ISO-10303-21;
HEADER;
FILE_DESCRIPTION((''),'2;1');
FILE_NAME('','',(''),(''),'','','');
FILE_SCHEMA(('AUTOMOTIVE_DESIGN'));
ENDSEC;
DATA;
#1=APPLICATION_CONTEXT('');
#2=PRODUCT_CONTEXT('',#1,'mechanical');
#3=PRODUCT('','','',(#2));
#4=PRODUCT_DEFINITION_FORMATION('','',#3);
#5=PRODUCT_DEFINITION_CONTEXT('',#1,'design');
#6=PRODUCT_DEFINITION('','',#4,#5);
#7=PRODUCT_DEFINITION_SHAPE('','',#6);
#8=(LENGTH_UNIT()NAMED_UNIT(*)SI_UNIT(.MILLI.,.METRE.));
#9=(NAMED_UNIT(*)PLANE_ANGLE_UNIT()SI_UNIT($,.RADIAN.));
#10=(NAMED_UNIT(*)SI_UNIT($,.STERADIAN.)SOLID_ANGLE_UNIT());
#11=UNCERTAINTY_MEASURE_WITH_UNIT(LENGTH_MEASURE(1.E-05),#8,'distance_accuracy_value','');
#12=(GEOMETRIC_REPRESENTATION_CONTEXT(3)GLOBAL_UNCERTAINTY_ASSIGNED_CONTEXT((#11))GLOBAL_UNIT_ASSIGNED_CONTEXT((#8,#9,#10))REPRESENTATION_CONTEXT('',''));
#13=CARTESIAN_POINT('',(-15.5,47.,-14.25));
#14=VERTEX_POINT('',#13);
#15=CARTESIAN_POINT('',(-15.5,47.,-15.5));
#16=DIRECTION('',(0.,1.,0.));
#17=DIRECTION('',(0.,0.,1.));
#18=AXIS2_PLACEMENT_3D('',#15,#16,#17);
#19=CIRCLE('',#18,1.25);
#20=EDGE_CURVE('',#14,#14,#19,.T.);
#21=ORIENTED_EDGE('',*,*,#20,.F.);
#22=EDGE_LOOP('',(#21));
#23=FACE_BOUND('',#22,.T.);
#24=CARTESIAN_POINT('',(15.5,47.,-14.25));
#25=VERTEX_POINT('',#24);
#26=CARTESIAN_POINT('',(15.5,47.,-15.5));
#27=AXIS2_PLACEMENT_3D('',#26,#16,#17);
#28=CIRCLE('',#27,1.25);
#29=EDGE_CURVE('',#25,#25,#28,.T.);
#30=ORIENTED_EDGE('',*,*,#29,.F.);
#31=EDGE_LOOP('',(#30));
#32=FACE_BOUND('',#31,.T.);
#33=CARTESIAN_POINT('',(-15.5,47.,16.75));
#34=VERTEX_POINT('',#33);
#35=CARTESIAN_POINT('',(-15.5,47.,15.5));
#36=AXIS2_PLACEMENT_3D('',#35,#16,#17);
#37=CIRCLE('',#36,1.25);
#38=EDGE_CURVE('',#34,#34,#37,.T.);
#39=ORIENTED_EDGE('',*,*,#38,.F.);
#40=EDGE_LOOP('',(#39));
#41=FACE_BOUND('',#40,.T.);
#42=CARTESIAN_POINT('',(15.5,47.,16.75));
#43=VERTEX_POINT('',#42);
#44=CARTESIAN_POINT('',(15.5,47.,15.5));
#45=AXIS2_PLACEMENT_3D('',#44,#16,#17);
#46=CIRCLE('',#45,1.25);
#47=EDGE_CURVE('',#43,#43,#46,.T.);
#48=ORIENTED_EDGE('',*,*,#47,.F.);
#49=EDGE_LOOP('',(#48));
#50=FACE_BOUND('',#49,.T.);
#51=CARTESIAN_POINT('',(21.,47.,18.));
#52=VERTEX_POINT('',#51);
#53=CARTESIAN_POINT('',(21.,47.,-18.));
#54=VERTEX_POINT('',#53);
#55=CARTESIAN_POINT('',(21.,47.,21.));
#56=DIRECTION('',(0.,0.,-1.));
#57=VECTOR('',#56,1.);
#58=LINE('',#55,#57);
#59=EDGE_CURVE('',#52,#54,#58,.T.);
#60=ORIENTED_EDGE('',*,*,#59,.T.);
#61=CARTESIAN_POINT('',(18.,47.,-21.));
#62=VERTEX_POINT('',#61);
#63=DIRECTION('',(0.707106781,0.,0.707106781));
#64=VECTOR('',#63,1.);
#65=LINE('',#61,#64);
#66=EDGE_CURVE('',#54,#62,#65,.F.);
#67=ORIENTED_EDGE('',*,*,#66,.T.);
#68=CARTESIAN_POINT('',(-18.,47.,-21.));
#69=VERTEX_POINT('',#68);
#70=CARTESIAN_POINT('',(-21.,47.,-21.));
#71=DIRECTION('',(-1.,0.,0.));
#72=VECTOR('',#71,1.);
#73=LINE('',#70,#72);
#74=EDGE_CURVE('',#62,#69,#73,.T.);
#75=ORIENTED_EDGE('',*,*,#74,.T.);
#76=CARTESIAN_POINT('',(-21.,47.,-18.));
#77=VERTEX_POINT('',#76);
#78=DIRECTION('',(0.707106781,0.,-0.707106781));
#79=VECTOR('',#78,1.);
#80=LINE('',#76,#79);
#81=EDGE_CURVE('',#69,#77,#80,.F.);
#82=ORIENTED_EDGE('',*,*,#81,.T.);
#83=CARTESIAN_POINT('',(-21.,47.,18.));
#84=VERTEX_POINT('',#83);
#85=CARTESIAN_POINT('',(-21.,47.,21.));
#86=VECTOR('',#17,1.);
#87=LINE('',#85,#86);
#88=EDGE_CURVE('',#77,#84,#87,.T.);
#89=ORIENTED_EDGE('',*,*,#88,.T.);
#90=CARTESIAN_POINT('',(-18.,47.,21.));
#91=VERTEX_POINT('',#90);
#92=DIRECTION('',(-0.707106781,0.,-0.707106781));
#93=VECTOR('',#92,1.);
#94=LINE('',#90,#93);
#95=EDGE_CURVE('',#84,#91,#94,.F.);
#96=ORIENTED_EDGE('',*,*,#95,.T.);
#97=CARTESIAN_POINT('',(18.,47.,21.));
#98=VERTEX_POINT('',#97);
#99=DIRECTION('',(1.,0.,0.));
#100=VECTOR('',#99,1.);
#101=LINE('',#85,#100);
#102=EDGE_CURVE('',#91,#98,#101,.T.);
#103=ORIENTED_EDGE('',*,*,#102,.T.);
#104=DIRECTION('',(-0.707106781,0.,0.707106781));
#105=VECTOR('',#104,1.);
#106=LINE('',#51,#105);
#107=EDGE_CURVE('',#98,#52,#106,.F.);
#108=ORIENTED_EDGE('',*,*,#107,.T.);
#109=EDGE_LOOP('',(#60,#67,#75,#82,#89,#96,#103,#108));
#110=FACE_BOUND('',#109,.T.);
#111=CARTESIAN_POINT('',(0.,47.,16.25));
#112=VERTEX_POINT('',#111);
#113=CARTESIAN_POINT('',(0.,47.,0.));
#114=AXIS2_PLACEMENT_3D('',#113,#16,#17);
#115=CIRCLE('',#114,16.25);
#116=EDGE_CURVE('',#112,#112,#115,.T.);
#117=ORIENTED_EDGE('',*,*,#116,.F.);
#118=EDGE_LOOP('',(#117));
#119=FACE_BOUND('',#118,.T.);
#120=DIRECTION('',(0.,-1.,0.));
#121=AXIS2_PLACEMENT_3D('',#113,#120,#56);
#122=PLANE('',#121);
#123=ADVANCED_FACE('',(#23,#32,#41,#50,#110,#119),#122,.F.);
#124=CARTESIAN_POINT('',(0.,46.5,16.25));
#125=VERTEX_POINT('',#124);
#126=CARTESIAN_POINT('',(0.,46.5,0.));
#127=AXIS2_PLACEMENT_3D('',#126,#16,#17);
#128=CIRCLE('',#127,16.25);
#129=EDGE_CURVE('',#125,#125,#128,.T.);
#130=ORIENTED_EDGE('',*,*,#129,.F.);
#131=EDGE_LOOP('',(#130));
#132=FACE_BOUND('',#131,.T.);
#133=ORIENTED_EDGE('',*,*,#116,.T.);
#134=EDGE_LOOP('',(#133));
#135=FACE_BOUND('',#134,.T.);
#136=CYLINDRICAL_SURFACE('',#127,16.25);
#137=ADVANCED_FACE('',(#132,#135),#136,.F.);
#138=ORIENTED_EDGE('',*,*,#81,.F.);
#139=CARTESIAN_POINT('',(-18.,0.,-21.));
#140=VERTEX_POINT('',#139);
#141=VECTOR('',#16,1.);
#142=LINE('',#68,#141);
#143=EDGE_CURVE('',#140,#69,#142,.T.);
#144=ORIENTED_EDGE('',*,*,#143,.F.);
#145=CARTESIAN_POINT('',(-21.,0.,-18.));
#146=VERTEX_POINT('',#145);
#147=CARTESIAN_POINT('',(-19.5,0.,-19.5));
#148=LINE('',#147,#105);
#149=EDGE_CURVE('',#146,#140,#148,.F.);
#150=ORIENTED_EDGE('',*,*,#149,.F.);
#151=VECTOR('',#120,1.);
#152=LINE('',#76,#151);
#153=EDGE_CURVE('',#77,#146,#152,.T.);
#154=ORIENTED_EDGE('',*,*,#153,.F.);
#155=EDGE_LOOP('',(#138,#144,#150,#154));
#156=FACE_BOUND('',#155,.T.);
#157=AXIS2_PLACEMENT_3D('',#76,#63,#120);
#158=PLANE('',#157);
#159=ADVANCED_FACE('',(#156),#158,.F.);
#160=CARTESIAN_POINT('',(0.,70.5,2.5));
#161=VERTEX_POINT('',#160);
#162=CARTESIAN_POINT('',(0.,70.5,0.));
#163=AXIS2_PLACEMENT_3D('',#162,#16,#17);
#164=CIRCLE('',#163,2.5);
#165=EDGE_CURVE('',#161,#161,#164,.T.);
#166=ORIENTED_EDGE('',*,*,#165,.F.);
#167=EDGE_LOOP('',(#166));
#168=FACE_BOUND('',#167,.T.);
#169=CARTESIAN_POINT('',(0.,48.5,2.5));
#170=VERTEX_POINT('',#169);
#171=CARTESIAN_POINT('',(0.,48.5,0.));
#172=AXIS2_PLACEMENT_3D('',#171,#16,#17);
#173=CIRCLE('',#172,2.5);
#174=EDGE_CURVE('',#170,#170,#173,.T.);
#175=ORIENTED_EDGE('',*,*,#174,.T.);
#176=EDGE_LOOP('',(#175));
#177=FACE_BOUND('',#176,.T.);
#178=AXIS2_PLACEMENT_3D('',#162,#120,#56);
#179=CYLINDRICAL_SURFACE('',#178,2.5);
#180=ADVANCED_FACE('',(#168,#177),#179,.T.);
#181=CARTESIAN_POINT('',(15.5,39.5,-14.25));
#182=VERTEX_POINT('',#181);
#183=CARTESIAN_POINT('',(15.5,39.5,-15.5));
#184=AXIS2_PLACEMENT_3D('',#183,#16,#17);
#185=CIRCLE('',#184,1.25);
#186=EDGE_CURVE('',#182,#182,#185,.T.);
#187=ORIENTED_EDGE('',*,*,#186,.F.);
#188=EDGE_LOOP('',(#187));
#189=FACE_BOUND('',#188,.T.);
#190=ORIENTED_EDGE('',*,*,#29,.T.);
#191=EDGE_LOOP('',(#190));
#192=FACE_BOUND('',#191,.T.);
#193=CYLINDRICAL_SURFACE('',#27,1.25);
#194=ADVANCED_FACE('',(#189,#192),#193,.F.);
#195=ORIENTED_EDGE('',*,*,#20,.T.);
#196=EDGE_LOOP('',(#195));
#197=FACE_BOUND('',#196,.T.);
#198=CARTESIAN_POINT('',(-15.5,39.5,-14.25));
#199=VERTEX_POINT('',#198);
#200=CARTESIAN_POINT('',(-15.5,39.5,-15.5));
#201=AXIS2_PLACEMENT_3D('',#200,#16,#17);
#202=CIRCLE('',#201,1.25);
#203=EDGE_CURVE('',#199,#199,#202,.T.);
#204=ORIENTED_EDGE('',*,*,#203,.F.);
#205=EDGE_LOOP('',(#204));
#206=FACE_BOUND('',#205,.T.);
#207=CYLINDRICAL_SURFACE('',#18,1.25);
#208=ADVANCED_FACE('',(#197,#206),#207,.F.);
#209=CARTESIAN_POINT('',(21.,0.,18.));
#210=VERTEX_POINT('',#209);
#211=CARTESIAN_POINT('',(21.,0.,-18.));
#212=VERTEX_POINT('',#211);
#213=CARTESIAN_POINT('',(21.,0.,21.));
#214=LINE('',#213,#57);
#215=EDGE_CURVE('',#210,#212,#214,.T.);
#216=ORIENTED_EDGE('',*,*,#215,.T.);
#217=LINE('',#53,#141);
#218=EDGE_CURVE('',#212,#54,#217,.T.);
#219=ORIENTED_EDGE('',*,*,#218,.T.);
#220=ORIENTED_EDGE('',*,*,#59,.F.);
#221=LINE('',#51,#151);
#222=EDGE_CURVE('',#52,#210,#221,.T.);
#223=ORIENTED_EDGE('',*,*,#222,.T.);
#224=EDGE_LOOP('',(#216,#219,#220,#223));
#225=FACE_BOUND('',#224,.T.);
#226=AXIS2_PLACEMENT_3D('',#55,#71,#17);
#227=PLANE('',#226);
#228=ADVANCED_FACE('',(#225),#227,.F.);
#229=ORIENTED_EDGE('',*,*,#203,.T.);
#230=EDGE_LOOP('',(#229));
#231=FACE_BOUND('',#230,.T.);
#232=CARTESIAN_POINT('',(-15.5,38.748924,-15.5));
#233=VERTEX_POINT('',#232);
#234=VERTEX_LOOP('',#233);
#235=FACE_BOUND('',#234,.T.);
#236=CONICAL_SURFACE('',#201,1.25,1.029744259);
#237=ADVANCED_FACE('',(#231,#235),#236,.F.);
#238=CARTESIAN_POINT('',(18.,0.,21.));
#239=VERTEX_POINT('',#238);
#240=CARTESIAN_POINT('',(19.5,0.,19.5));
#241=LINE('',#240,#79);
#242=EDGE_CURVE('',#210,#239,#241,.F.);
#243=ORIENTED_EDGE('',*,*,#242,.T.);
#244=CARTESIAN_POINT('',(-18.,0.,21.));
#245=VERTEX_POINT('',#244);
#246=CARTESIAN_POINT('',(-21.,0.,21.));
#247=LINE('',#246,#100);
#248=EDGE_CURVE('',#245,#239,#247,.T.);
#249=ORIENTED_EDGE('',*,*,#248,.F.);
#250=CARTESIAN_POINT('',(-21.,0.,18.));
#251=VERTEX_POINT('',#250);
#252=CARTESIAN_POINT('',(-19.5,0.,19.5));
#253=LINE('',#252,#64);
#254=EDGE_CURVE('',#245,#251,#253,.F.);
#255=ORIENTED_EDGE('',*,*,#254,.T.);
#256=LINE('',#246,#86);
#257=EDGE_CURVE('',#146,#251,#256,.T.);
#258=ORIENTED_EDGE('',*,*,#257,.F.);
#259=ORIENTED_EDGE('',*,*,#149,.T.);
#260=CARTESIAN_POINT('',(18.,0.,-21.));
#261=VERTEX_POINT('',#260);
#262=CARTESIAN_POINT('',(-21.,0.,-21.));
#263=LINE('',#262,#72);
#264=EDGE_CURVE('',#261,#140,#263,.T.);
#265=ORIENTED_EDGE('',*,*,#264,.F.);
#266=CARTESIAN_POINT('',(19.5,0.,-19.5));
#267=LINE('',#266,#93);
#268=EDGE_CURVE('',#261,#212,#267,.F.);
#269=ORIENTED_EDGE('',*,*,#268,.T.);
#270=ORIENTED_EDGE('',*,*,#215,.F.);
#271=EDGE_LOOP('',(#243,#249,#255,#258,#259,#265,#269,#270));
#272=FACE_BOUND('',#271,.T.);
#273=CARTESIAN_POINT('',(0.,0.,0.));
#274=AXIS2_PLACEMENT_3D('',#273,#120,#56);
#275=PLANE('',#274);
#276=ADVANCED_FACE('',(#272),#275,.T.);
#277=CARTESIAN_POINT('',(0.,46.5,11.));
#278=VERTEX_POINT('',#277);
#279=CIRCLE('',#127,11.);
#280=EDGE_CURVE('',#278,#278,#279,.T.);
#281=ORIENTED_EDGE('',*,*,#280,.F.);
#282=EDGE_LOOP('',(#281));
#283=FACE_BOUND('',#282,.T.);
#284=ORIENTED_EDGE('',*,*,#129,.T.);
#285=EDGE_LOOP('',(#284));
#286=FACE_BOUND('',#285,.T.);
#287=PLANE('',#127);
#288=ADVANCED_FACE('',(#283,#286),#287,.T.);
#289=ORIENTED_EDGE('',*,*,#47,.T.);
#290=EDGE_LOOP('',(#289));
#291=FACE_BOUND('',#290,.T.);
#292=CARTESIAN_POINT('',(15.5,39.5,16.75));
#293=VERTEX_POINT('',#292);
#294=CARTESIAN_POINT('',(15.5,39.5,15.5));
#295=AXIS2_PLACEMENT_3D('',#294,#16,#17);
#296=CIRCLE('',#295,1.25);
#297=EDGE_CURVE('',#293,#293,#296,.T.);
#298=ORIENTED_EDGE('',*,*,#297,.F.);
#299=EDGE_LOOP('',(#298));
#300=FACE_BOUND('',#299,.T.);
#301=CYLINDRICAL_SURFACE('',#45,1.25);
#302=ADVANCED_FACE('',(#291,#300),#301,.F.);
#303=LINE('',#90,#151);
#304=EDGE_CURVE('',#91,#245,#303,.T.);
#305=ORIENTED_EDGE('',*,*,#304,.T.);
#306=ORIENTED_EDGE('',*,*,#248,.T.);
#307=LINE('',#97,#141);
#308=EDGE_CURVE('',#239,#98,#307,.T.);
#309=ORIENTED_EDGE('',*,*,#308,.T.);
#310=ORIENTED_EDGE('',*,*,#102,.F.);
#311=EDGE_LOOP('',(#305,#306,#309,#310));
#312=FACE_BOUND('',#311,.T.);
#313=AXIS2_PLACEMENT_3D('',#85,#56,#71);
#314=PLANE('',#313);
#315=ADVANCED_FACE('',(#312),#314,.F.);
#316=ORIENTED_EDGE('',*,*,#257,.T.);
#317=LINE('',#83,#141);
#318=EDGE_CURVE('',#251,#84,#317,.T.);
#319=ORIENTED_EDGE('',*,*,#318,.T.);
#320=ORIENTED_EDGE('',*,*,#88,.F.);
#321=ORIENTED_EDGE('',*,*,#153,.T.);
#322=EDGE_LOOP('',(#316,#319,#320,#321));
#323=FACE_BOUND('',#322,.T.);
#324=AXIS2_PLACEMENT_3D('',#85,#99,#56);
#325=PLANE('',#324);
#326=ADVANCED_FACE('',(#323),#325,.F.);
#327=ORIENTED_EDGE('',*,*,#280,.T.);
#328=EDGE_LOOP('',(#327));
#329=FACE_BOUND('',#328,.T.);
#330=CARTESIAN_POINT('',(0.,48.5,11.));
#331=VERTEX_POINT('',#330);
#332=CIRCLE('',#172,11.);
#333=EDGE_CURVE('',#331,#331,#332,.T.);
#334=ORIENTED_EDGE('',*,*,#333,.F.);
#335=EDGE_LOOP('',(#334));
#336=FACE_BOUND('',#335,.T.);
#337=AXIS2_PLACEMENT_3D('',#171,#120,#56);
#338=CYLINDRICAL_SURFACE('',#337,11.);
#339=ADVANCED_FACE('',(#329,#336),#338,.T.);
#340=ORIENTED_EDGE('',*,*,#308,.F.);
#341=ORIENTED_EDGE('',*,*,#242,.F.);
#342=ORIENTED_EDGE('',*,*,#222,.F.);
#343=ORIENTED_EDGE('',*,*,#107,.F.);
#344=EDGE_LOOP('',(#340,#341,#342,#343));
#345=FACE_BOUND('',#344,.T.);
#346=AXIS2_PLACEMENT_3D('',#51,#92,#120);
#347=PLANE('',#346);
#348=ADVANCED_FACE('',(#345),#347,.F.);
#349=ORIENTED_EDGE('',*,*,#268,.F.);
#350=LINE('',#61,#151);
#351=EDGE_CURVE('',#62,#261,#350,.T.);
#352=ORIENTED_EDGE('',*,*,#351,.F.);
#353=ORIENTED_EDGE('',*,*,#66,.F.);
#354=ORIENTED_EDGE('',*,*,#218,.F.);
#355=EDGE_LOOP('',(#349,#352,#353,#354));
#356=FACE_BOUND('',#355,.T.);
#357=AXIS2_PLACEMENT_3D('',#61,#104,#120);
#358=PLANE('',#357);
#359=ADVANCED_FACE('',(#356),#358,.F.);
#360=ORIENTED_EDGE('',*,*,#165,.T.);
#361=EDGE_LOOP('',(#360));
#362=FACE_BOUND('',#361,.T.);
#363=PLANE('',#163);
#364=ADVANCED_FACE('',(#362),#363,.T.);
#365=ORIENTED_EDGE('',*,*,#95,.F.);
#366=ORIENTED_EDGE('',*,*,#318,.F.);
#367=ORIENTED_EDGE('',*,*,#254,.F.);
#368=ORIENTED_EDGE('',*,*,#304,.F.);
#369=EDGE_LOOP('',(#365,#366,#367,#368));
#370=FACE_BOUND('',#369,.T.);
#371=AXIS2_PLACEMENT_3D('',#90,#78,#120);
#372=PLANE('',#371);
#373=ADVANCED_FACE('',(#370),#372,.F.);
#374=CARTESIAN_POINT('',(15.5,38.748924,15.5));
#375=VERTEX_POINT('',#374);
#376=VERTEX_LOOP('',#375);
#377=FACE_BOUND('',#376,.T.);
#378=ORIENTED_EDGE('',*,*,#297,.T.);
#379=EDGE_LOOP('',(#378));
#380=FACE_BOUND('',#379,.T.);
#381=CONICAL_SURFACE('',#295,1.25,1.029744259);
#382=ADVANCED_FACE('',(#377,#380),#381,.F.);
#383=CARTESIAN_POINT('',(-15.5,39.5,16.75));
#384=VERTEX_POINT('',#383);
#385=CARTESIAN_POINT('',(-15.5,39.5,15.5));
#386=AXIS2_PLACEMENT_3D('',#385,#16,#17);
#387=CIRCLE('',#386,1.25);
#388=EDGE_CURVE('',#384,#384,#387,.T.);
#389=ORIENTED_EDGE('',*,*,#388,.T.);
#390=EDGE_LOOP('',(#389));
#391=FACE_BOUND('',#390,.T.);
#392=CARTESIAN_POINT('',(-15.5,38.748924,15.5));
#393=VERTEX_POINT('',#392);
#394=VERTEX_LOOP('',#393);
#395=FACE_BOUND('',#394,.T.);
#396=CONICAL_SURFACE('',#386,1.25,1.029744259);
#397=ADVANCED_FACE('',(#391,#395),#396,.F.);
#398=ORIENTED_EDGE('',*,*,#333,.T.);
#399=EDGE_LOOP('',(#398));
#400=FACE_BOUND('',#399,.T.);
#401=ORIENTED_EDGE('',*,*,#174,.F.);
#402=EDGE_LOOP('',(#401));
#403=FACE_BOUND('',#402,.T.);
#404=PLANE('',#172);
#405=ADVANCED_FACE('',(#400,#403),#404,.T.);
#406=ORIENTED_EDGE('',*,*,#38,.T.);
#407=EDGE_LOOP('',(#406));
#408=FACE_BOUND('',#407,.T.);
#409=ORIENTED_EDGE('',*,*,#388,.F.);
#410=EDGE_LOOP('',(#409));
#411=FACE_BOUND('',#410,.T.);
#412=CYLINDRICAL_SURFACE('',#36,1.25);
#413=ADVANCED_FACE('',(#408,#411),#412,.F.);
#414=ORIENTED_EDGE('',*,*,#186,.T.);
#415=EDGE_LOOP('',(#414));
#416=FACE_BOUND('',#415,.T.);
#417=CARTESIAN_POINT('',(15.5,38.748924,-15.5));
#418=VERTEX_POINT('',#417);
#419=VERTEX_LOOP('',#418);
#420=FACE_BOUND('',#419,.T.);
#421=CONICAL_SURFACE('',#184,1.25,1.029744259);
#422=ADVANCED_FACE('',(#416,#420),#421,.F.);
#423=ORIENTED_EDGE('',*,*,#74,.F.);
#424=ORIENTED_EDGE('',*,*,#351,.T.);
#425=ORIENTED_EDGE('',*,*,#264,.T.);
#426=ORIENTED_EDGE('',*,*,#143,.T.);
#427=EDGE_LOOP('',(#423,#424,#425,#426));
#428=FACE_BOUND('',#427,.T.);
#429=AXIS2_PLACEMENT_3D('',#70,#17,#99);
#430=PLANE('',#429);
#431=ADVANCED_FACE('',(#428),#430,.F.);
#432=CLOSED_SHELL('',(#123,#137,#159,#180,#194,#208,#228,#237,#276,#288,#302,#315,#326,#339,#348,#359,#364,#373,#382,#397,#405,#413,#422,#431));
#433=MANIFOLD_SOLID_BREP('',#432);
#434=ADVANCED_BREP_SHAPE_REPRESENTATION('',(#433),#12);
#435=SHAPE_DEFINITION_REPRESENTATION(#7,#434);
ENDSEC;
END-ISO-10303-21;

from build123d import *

# Parameters (mm, degrees)
SKETCH_1_W             = 42
SKETCH_1_H             = 42
EXTRUDE_1_DEPTH        = 47
SKETCH_2_R             = 16.25
CUT_EXTRUDE_1_DEPTH    = 0.5
SKETCH_3_R             = 11
EXTRUDE_2_DEPTH        = 2
SKETCH_4_R             = 2.5
EXTRUDE_3_DEPTH        = 22
CHAMFER_1_SIZE         = 3
HOLE_WIZARD_M3_1_D     = 2.5
HOLE_WIZARD_M3_1_DEPTH = 7.5
HOLE_WIZARD_M3_1_TIP   = 0.751075774


with BuildPart() as part:
    # 草圖1 → 填料-伸長1 (new body)
    with BuildSketch(Plane(origin=(0, 0, 0), x_dir=(1, 0, 0), z_dir=(0, 1, 0))):
        Rectangle(SKETCH_1_W, SKETCH_1_H)
    extrude(amount=EXTRUDE_1_DEPTH)

    # 草圖2 → 除料-伸長1 (cut)
    with BuildSketch(Plane(origin=(0, 47, 0), x_dir=(1, 0, 0), z_dir=(0, 1, 0))):
        with Locations(Location((0, 0, 0), (0, 0, 270))):
            Circle(SKETCH_2_R)
    extrude(amount=-CUT_EXTRUDE_1_DEPTH, mode=Mode.SUBTRACT)

    # 草圖3 → 填料-伸長2 (add)
    with BuildSketch(Plane(origin=(0, 46.5, 0), x_dir=(1, 0, 0), z_dir=(0, 1, 0))):
        with Locations(Location((0, 0, 0), (0, 0, 270))):
            Circle(SKETCH_3_R)
    extrude(amount=EXTRUDE_2_DEPTH)

    # 草圖4 → 填料-伸長3 (add)
    with BuildSketch(Plane(origin=(0, 48.5, 0), x_dir=(1, 0, 0), z_dir=(0, 1, 0))):
        with Locations(Location((0, 0, 0), (0, 0, 270))):
            Circle(SKETCH_4_R)
    extrude(amount=EXTRUDE_3_DEPTH)

    # 導角1
    chamfer_1_edges = [part.edges().sort_by_distance(p)[0] for p in [
        (21, 23.5, 21),
        (-21, 23.5, 21),
        (-21, 23.5, -21),
        (21, 23.5, -21),
    ]]
    chamfer(chamfer_1_edges, length=CHAMFER_1_SIZE)

    # M3 螺紋孔1
    with Locations(Plane(origin=(0, 47, 0), x_dir=(1, 0, 0), z_dir=(0, 1, 0))):
        with Locations((-15.5, 15.5), (-15.5, -15.5), (15.5, 15.5), (15.5, -15.5)):
            Hole(HOLE_WIZARD_M3_1_D / 2, depth=HOLE_WIZARD_M3_1_DEPTH)
            with Locations((0, 0, -(HOLE_WIZARD_M3_1_DEPTH + HOLE_WIZARD_M3_1_TIP / 2))):  # 118° drill point
                Cone(0, HOLE_WIZARD_M3_1_D / 2, HOLE_WIZARD_M3_1_TIP, mode=Mode.SUBTRACT)


solid = part.part
